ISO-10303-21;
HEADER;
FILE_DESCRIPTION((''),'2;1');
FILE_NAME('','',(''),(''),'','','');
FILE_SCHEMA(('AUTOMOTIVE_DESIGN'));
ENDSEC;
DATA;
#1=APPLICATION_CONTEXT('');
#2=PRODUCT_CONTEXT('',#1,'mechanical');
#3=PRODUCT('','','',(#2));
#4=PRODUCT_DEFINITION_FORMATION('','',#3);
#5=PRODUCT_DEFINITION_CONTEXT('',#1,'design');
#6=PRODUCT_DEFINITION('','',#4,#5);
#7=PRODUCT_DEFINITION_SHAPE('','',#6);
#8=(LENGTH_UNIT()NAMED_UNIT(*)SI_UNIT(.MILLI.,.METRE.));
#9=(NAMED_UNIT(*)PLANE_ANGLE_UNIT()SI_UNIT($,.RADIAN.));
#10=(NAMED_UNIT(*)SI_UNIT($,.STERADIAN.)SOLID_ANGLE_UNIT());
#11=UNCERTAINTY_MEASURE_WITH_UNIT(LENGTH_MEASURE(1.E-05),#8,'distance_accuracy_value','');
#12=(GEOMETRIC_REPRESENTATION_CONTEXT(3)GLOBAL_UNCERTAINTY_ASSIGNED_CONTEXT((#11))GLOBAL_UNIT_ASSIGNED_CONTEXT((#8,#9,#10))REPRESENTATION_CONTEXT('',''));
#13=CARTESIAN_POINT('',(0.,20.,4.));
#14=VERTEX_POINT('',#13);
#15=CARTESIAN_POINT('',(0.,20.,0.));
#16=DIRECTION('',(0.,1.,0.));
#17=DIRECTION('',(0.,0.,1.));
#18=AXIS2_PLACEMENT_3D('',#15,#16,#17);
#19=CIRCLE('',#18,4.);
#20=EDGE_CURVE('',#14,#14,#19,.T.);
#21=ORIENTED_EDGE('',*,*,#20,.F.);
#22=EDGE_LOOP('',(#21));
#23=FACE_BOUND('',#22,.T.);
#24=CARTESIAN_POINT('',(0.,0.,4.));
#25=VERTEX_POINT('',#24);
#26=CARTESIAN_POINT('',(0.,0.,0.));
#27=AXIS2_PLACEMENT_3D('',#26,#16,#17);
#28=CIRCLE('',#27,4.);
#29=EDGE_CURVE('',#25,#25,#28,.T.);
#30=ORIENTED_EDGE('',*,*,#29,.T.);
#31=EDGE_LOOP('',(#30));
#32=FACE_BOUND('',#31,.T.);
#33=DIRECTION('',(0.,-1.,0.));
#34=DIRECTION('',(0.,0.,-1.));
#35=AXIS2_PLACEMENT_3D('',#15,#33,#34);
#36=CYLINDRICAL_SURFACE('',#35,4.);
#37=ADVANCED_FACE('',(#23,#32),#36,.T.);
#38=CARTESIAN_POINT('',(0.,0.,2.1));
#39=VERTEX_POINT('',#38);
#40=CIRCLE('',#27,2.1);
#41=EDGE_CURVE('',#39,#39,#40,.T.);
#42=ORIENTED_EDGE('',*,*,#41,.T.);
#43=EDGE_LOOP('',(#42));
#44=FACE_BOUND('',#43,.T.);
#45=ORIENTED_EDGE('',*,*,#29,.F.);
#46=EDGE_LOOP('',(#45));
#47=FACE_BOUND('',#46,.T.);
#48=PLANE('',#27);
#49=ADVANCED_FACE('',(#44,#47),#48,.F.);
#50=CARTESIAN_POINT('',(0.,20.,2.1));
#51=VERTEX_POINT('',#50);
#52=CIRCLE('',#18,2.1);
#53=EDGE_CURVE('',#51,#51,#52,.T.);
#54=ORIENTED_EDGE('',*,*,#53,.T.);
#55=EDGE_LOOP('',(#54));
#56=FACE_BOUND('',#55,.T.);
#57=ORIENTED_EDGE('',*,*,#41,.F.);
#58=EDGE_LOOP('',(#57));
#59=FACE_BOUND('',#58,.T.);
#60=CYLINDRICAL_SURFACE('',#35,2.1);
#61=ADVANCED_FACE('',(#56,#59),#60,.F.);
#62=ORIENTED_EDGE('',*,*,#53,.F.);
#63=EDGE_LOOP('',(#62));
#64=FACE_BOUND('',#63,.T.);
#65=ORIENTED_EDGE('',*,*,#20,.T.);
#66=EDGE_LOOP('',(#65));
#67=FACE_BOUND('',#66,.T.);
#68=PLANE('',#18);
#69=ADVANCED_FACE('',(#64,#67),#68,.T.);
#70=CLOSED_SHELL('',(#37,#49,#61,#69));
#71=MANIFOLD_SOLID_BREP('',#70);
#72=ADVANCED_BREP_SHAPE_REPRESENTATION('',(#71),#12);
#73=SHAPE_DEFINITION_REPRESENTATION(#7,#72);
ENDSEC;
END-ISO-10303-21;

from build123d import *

# Parameters (mm, degrees)
SKETCH1_R           = 4
SKETCH1_R_2         = 2.1
BOSS_EXTRUDE1_DEPTH = 20


with BuildPart() as part:
    # Sketch1 → Boss-Extrude1 (new body)
    with BuildSketch(Plane(origin=(0, 0, 0), x_dir=(1, 0, 0), z_dir=(0, 1, 0))):
        with Locations(Location((0, 0, 0), (0, 0, 270))):
            Circle(SKETCH1_R)
        with Locations(Location((0, 0, 0), (0, 0, 270))):
            Circle(SKETCH1_R_2, mode=Mode.SUBTRACT)
    extrude(amount=BOSS_EXTRUDE1_DEPTH)


solid = part.part
